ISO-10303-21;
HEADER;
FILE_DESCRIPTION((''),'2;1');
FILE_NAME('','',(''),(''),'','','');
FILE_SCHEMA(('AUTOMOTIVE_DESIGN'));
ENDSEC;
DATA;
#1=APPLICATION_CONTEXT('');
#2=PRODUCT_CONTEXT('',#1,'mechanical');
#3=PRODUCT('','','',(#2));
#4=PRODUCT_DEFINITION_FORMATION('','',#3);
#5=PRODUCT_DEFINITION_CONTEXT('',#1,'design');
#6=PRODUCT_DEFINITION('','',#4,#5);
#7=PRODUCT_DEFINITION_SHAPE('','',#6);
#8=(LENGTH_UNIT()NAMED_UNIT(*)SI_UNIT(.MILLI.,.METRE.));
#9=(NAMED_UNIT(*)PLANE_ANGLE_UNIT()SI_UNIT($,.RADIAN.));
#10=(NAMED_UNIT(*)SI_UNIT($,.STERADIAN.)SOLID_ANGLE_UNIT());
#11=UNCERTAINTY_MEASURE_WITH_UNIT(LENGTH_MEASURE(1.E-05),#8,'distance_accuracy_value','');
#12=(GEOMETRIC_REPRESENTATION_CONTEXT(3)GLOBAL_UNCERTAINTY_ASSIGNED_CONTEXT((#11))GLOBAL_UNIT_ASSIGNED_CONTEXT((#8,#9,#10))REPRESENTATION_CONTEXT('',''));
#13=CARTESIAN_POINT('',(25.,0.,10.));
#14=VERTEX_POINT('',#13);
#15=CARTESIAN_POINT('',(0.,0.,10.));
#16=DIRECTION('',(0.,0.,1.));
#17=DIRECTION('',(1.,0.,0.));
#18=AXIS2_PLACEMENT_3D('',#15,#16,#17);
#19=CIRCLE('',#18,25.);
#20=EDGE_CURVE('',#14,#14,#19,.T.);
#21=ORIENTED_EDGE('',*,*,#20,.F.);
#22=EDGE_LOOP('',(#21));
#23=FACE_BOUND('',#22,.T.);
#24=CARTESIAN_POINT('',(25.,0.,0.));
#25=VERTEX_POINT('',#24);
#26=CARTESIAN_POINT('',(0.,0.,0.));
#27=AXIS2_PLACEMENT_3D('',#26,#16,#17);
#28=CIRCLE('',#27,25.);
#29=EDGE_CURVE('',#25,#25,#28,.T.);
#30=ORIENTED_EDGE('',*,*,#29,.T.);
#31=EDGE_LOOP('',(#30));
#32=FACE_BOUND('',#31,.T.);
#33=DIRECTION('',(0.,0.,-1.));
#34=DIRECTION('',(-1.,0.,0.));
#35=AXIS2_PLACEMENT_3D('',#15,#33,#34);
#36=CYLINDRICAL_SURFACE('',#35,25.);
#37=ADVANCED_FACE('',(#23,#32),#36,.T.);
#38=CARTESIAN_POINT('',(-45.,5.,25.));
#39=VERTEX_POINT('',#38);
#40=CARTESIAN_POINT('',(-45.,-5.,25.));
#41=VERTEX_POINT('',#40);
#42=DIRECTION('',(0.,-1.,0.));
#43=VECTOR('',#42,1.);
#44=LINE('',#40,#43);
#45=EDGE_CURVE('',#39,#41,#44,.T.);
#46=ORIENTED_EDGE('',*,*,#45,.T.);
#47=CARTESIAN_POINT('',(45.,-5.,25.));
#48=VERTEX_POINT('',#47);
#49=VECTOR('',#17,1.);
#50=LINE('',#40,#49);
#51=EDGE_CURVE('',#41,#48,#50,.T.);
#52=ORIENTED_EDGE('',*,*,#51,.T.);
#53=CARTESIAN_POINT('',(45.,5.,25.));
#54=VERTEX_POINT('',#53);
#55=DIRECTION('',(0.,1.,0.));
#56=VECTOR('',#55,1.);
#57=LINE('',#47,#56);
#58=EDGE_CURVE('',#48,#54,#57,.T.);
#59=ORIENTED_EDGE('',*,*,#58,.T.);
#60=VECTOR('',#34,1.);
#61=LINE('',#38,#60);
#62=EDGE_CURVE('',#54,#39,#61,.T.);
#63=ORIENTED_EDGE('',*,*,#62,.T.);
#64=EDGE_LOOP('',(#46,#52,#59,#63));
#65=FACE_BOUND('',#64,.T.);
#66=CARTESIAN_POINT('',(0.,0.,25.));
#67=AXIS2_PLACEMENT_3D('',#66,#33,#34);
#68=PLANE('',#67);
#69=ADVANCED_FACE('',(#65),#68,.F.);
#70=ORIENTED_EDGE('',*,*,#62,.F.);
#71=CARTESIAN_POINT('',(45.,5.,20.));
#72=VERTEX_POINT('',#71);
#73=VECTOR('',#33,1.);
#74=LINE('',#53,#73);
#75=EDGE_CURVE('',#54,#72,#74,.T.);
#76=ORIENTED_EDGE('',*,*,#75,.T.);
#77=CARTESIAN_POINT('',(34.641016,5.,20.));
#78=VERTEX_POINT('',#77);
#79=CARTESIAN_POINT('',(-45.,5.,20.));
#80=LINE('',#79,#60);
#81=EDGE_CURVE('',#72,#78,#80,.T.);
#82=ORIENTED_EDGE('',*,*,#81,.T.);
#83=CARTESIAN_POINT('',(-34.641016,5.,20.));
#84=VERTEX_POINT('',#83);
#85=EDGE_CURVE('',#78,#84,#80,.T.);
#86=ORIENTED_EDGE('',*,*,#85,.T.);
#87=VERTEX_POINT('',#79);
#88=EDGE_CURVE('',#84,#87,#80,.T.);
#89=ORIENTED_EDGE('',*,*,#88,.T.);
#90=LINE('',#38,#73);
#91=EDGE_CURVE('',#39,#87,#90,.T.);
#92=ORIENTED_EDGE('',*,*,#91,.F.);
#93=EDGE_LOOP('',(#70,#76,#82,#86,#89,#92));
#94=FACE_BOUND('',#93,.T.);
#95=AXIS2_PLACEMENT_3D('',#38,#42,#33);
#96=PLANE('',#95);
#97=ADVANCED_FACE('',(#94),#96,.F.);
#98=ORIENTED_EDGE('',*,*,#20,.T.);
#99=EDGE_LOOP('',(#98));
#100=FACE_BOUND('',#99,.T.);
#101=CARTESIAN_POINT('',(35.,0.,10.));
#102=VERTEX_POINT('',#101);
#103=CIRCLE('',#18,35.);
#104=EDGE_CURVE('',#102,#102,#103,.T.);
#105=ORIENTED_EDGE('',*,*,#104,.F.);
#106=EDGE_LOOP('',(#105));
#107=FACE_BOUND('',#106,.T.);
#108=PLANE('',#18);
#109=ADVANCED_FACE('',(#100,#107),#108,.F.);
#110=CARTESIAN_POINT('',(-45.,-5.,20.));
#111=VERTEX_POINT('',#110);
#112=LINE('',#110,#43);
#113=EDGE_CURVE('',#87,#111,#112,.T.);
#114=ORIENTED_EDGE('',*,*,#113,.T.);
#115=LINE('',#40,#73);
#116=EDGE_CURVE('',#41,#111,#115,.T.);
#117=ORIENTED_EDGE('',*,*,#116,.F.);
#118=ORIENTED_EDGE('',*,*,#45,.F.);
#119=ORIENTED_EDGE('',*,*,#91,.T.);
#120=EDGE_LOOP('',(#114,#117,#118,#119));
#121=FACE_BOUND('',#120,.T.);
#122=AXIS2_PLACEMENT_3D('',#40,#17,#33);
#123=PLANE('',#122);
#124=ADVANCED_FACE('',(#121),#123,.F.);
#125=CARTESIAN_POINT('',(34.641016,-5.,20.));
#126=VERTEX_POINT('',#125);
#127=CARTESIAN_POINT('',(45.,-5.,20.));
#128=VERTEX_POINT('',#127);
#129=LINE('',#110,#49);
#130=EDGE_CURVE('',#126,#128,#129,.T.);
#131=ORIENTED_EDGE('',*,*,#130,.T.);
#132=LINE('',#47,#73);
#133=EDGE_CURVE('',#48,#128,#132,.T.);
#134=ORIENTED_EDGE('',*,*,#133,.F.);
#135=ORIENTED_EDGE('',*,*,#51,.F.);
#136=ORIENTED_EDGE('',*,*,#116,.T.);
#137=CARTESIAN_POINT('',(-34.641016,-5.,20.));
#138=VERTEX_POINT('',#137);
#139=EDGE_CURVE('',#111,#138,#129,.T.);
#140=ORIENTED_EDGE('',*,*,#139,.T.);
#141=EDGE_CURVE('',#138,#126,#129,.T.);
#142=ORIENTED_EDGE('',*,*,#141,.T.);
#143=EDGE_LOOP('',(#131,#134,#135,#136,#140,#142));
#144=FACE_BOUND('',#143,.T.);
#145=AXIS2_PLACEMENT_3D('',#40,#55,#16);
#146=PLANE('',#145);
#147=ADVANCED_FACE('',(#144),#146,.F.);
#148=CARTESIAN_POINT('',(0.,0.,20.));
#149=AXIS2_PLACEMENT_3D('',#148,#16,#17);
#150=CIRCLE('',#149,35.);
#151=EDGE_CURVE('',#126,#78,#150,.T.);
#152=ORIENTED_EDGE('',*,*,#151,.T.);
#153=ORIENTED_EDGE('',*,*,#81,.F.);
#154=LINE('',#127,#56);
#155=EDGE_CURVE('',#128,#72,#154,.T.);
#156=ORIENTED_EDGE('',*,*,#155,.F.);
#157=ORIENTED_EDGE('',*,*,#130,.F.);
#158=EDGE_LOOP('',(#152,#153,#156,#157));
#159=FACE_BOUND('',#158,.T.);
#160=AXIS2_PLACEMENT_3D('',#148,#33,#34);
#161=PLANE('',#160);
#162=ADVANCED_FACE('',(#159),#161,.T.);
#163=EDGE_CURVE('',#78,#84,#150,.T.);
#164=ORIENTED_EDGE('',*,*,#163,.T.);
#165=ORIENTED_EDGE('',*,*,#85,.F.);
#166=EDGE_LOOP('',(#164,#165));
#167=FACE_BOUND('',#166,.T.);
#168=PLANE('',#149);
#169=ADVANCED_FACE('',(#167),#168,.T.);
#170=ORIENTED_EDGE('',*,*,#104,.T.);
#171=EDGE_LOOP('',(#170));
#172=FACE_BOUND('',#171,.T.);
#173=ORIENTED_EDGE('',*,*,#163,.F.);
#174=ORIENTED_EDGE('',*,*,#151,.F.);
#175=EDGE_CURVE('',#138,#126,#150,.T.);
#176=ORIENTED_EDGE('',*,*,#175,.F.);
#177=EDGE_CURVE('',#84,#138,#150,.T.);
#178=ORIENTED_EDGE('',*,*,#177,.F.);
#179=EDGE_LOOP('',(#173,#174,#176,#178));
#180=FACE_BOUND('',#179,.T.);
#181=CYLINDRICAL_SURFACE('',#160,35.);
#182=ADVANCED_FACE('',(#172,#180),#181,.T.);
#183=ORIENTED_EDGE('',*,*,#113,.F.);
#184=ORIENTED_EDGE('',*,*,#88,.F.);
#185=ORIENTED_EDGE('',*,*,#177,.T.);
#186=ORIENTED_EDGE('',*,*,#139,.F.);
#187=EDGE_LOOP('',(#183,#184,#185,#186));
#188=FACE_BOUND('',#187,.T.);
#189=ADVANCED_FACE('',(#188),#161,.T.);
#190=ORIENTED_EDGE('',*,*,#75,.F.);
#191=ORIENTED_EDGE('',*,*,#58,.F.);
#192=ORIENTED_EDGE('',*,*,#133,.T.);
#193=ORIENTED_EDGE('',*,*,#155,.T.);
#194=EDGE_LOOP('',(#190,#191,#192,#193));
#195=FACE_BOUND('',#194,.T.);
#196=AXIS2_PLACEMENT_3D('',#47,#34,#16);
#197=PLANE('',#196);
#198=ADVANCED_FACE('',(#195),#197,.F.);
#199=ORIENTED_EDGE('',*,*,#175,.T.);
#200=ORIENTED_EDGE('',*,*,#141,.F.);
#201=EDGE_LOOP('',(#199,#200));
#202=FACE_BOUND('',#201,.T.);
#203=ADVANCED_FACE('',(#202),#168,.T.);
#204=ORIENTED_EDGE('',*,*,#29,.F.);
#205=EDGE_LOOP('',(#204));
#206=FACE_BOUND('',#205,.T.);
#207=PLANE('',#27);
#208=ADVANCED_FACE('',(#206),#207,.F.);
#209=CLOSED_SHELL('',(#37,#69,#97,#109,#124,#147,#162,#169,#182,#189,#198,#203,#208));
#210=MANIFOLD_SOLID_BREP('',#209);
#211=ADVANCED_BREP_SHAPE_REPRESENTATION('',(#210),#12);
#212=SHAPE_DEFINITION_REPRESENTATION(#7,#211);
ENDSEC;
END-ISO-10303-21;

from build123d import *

# Parameters (mm, degrees)
SKETCH1_R           = 25
BOSS_EXTRUDE1_DEPTH = 10
SKETCH3_R           = 35
BOSS_EXTRUDE2_DEPTH = 10
SKETCH4_W           = 90
SKETCH4_H           = 10
BOSS_EXTRUDE3_DEPTH = 5


with BuildPart() as part:
    # Sketch1 → Boss-Extrude1 (new body)
    with BuildSketch(Plane.XY):
        Circle(SKETCH1_R)
    extrude(amount=BOSS_EXTRUDE1_DEPTH)

    # Sketch3 → Boss-Extrude2 (add)
    with BuildSketch(Plane.XY.offset(10)):
        Circle(SKETCH3_R)
    extrude(amount=BOSS_EXTRUDE2_DEPTH)

    # Sketch4 → Boss-Extrude3 (add)
    with BuildSketch(Plane.XY.offset(20)):
        Rectangle(SKETCH4_W, SKETCH4_H)
    extrude(amount=BOSS_EXTRUDE3_DEPTH)


solid = part.part
